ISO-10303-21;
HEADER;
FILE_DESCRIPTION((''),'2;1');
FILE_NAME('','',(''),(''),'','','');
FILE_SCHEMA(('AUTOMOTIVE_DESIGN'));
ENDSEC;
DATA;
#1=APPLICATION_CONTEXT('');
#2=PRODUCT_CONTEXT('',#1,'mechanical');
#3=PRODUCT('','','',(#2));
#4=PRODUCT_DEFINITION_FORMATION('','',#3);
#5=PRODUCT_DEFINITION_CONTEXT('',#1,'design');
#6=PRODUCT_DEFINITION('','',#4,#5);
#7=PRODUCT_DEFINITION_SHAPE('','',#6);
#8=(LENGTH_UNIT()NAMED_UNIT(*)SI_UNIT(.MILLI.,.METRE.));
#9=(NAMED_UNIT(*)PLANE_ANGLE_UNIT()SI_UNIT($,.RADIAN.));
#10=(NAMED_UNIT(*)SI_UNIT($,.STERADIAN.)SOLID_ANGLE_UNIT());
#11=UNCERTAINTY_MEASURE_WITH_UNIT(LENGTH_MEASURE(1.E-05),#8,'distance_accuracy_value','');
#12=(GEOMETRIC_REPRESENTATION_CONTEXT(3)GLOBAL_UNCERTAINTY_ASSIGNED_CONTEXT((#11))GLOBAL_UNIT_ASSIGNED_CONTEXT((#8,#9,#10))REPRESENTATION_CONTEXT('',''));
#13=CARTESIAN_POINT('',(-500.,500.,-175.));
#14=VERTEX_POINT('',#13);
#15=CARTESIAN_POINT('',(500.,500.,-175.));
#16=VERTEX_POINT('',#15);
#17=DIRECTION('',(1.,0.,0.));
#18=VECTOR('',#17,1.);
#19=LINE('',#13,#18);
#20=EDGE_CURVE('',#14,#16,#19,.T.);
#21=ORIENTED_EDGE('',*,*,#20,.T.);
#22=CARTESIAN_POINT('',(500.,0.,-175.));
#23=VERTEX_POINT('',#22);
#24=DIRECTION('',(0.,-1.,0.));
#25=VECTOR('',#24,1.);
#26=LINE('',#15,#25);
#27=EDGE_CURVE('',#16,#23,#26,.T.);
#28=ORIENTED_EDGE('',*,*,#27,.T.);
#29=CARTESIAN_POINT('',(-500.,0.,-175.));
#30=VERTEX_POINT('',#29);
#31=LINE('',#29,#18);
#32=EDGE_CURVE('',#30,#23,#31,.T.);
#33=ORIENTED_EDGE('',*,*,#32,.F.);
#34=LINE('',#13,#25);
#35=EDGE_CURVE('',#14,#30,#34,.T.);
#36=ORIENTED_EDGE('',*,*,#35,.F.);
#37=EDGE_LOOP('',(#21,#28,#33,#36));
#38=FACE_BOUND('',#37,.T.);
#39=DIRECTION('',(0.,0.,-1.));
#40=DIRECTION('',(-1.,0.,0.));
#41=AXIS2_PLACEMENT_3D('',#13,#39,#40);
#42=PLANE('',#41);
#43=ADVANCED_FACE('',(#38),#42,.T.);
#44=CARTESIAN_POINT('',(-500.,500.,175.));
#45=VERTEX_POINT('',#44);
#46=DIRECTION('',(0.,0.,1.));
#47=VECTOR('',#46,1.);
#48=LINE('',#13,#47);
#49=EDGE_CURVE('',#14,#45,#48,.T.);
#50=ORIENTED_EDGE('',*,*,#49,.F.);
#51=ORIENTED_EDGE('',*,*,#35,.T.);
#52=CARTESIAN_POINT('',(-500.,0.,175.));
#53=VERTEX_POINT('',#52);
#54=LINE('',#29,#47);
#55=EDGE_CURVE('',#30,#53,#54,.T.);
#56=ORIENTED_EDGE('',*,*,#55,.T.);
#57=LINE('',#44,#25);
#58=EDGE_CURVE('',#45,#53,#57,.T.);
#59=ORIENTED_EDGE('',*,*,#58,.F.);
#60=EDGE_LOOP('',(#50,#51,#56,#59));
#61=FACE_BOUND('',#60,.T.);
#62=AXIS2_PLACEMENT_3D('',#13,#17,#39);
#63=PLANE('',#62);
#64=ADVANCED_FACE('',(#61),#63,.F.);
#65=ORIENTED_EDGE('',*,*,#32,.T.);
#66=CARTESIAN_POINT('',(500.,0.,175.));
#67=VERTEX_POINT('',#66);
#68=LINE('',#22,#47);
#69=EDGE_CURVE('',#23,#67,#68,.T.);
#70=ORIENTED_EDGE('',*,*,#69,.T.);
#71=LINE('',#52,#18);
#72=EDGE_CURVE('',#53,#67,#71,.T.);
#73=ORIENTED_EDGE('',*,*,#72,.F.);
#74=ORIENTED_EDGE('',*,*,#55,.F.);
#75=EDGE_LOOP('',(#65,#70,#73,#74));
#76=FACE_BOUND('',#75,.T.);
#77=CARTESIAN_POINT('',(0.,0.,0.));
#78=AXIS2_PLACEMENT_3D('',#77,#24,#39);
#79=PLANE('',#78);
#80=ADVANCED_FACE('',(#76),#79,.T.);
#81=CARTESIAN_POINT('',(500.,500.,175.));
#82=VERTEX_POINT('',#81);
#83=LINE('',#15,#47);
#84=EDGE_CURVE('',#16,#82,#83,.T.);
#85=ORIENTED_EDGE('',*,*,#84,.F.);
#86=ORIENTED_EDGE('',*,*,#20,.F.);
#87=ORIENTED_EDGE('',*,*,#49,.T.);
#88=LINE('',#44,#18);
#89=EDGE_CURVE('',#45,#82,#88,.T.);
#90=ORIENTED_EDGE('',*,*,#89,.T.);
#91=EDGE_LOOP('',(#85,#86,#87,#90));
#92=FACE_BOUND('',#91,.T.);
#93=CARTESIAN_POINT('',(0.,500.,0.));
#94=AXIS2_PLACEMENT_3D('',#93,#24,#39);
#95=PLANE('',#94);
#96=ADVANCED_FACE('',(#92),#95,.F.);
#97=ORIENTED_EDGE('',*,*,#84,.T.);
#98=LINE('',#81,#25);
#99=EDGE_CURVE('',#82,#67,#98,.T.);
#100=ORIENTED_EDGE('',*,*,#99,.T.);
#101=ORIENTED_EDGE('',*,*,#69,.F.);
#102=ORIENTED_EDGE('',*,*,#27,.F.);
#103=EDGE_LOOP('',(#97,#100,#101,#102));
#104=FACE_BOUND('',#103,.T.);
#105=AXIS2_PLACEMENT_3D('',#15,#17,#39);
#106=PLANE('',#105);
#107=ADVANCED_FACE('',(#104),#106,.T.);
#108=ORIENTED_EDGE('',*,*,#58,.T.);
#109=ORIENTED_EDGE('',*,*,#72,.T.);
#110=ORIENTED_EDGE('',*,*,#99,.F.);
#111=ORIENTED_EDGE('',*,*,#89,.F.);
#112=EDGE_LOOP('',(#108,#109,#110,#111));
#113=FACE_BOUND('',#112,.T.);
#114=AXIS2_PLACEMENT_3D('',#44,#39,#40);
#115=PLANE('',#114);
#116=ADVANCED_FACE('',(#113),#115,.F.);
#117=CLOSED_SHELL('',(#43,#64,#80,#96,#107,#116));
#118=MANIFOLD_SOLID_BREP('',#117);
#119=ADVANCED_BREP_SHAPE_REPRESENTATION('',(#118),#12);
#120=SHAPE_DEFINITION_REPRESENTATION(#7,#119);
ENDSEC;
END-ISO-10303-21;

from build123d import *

# Parameters (mm, degrees)
SKETCH1_W           = 1000
SKETCH1_H           = 350
BOSS_EXTRUDE1_DEPTH = 500


with BuildPart() as part:
    # Sketch1 → Boss-Extrude1 (new body)
    with BuildSketch(Plane(origin=(0, 0, 0), x_dir=(1, 0, 0), z_dir=(0, 1, 0))):
        Rectangle(SKETCH1_W, SKETCH1_H)
    extrude(amount=BOSS_EXTRUDE1_DEPTH)


solid = part.part
